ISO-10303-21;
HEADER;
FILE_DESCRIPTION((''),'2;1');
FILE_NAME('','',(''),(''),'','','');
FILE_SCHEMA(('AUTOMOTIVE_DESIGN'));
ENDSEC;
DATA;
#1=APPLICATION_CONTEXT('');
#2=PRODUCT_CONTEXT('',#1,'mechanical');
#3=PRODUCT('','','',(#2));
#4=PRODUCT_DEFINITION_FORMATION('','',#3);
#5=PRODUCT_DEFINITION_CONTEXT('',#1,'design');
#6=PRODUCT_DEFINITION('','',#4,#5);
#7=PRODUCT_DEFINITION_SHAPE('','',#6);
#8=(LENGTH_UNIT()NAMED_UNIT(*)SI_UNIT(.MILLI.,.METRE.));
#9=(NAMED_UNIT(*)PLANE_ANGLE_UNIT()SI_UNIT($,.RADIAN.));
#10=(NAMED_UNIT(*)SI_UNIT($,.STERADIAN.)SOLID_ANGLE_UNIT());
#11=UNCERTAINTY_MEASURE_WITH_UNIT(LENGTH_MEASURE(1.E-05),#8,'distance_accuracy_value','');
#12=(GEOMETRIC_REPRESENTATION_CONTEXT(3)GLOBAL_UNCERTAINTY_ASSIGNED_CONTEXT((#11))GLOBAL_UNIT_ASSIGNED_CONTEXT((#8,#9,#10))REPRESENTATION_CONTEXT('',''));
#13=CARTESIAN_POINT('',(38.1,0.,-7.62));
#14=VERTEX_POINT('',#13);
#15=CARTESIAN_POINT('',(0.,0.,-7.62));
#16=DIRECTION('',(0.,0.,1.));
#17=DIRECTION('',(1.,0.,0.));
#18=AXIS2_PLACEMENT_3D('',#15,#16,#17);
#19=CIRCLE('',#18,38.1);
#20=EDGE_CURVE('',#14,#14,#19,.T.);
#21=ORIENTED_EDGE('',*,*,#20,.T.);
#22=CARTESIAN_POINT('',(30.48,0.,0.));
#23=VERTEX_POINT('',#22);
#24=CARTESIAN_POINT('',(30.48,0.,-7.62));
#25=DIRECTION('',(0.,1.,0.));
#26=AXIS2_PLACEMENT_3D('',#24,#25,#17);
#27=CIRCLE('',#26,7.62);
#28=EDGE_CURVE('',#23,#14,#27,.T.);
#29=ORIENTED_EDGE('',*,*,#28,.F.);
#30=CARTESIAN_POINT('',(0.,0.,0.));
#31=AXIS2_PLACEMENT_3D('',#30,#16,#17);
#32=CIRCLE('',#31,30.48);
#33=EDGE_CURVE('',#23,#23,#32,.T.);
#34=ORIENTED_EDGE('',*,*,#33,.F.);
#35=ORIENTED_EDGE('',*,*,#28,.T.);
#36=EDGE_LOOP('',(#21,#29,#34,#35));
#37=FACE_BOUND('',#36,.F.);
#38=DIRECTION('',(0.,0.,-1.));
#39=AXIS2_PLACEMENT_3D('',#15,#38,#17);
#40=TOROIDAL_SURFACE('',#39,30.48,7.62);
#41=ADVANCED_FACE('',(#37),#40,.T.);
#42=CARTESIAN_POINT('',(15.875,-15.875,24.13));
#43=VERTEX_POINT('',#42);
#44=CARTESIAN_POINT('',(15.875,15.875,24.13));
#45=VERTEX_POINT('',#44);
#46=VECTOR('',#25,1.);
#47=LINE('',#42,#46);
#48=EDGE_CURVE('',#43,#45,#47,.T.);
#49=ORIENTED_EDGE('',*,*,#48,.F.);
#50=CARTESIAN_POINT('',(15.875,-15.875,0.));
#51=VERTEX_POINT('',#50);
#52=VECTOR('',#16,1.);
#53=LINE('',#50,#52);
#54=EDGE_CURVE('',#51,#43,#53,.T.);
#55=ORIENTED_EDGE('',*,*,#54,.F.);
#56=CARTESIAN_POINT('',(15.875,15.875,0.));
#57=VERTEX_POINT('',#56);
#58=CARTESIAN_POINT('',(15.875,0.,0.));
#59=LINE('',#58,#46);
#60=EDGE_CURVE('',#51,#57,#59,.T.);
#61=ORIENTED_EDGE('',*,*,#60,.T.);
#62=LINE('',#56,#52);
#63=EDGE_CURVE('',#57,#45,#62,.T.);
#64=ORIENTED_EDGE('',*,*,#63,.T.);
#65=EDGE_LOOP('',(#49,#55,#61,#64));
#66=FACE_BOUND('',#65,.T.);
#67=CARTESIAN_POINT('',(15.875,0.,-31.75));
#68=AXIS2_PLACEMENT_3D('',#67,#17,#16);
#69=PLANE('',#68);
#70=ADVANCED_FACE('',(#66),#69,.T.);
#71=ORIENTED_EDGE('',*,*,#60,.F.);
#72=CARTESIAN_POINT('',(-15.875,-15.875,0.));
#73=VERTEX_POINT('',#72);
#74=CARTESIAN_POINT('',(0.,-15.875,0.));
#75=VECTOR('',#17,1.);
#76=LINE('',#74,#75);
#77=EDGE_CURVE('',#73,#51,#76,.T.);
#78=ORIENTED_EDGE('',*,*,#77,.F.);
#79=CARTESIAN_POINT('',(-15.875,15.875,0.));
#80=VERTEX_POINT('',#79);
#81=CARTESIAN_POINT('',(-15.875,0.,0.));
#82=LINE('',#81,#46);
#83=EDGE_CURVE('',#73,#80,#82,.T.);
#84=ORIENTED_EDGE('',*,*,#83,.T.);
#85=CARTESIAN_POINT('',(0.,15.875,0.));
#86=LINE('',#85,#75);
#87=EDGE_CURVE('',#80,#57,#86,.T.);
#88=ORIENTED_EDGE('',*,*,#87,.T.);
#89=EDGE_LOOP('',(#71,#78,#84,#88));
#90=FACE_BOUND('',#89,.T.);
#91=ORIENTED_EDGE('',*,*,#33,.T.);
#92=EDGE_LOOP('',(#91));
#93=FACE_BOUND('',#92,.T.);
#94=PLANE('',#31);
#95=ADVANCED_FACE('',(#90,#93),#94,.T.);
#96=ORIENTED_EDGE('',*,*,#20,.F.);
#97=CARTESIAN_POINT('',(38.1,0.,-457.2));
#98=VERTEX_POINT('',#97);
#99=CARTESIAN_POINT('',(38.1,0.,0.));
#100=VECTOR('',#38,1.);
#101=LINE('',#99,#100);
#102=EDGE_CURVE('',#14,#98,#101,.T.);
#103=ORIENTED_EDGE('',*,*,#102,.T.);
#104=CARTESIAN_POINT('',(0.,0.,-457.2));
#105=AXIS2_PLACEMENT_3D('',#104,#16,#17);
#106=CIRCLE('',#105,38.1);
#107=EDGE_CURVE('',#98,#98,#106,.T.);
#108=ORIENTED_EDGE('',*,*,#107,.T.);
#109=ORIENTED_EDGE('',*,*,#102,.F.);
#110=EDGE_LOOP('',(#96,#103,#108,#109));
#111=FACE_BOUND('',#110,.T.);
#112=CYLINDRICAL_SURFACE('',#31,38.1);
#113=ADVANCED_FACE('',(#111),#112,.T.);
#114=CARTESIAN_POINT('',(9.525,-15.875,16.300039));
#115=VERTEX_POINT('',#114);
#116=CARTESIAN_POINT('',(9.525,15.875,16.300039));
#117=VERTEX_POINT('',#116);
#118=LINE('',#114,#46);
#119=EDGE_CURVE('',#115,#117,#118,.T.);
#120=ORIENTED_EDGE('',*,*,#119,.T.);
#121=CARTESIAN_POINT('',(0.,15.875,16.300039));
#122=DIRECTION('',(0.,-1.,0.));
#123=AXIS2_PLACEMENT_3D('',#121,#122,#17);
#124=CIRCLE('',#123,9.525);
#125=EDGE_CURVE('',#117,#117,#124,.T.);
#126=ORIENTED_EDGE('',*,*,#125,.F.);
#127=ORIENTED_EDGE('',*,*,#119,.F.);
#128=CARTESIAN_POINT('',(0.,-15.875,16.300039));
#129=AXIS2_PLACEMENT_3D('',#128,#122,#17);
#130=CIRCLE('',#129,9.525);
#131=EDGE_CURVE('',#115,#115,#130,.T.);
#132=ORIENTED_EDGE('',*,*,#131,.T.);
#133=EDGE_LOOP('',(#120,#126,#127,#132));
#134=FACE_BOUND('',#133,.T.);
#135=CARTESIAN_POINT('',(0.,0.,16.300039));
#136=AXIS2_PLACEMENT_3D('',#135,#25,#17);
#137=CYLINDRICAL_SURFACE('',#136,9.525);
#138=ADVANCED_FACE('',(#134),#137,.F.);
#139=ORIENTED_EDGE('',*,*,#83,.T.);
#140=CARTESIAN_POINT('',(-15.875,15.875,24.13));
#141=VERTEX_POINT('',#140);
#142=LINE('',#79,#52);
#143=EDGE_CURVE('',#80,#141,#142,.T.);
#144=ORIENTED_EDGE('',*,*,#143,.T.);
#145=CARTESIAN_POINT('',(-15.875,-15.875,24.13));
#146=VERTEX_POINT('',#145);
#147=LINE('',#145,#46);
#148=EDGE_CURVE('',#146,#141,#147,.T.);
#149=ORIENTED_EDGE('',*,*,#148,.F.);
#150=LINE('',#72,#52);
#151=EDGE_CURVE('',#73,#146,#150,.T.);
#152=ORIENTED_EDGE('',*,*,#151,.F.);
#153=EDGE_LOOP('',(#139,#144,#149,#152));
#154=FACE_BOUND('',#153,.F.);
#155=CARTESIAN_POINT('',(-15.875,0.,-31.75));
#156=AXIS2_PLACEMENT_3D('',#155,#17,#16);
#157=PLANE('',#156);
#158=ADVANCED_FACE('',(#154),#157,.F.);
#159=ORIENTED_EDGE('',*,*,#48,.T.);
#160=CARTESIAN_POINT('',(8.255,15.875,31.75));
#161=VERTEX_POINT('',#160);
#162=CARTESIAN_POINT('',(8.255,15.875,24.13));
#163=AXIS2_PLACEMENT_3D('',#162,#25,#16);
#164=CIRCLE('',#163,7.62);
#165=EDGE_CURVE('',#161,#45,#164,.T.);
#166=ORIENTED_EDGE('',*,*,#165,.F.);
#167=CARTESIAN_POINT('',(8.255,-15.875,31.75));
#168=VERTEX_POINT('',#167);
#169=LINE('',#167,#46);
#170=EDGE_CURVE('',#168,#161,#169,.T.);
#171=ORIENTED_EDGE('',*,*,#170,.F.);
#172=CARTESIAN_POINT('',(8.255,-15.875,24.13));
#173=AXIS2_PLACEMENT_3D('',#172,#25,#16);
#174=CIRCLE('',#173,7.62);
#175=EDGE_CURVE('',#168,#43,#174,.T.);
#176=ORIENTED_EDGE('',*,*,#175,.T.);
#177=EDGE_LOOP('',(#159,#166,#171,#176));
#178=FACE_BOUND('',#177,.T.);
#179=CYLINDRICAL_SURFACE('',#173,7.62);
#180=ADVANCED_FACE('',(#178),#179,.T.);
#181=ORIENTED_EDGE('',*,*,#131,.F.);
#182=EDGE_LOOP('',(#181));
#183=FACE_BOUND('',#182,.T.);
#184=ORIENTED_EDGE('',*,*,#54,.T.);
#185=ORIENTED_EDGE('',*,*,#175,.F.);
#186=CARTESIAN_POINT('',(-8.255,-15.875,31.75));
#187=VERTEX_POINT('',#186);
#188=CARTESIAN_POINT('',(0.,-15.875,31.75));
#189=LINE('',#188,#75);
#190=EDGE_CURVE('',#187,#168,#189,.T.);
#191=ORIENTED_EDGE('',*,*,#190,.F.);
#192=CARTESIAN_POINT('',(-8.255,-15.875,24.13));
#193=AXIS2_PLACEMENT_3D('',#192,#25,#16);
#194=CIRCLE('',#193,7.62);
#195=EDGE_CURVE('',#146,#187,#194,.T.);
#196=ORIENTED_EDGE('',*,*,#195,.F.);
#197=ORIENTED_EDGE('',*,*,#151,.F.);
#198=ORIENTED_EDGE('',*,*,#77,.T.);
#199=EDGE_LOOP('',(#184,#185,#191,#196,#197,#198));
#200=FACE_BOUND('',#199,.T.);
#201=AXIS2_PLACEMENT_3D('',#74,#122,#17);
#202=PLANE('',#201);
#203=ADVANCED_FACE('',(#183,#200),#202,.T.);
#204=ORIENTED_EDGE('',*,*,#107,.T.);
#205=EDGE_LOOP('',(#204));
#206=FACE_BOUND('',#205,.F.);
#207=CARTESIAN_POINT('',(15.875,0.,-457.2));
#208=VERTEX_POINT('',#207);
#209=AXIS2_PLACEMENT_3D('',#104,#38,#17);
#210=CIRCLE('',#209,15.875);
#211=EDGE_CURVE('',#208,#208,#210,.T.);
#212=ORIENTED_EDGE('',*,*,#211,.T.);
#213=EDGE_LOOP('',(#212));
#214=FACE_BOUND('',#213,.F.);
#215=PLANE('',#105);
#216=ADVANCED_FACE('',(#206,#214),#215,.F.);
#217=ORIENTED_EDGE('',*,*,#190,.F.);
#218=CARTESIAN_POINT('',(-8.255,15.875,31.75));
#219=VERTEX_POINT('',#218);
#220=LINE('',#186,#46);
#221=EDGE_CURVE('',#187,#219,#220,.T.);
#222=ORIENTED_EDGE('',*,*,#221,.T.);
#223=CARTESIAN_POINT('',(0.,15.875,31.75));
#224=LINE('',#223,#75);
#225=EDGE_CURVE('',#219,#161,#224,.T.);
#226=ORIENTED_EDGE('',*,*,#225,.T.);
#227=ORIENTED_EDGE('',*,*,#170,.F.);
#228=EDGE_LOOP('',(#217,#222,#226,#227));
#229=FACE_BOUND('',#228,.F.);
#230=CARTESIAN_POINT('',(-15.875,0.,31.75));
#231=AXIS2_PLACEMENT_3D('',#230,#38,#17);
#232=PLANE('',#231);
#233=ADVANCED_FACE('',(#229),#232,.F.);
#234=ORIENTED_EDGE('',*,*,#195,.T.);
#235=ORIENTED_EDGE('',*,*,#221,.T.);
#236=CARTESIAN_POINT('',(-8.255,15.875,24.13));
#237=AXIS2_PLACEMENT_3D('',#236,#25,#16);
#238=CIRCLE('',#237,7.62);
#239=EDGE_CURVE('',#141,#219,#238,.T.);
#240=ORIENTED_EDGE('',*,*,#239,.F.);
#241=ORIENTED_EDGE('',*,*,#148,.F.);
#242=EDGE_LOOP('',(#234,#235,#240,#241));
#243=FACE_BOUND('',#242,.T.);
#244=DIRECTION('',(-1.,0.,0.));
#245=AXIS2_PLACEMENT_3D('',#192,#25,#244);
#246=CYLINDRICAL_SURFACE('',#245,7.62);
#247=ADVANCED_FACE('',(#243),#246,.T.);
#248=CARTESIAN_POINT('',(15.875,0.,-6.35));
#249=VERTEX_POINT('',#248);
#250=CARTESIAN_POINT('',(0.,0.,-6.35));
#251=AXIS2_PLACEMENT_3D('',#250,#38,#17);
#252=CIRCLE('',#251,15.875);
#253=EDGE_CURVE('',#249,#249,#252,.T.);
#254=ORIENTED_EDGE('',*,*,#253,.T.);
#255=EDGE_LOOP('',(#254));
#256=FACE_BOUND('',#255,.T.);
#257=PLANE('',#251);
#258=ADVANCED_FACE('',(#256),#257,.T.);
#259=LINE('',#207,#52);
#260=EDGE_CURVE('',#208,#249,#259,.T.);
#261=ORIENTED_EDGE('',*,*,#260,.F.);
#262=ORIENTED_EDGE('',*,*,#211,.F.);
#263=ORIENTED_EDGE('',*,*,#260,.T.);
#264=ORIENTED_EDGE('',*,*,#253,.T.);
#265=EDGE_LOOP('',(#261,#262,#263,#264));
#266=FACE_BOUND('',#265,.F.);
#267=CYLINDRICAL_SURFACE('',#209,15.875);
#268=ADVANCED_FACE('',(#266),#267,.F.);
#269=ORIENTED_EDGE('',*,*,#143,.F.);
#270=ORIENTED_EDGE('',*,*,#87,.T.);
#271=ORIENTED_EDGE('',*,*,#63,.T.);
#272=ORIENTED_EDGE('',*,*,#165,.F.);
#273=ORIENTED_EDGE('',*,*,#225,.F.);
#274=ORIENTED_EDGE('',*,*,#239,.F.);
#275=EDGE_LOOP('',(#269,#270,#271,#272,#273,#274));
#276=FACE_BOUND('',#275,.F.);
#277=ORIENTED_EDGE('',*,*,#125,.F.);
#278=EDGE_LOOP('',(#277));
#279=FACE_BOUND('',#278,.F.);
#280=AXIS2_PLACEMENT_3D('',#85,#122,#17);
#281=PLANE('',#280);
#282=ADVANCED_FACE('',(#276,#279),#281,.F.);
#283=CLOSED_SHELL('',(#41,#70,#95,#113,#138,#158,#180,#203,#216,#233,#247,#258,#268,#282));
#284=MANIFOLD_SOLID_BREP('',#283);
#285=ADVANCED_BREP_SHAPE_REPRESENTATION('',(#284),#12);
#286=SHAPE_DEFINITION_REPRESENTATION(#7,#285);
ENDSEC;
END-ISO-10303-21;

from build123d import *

# Parameters (mm, degrees)
F0_R     = 38.1
F1_DEPTH = 457.2
F2_W     = 31.75
F2_H     = 63.5
F2_R     = 9.525
F3_DEPTH = 15.875
F4_R     = 7.62
F5_R     = 15.875
F6_DEPTH = 450.85


with BuildPart() as f1:
    # F0 (on Top) → F1 (new body)
    with BuildSketch(Plane.XY):
        Circle(F0_R)
    extrude(amount=-F1_DEPTH)

    # F2 (on Front) → F3 (join, symmetric)
    with BuildSketch(Plane.XZ):
        Rectangle(F2_W, F2_H)
        with Locations((0, 16.3000393659)):
            Circle(F2_R, mode=Mode.SUBTRACT)
    extrude(amount=F3_DEPTH, both=True)

    # F4
    f4_edges = [f1.edges().sort_by_distance(p)[0] for p in [
        (15.875, 0, 31.75),
        (-15.875, 0, 31.75),
        (-38.1, 0, 0),
    ]]
    fillet(f4_edges, radius=F4_R)

    # F5 (on face) → F6 (cut)
    with BuildSketch(Plane(origin=(0, 0, -457.2), x_dir=(1, 0, 0), z_dir=(0, 0, -1))):
        Circle(F5_R)
    extrude(amount=-F6_DEPTH, mode=Mode.SUBTRACT)


solid = f1.part
